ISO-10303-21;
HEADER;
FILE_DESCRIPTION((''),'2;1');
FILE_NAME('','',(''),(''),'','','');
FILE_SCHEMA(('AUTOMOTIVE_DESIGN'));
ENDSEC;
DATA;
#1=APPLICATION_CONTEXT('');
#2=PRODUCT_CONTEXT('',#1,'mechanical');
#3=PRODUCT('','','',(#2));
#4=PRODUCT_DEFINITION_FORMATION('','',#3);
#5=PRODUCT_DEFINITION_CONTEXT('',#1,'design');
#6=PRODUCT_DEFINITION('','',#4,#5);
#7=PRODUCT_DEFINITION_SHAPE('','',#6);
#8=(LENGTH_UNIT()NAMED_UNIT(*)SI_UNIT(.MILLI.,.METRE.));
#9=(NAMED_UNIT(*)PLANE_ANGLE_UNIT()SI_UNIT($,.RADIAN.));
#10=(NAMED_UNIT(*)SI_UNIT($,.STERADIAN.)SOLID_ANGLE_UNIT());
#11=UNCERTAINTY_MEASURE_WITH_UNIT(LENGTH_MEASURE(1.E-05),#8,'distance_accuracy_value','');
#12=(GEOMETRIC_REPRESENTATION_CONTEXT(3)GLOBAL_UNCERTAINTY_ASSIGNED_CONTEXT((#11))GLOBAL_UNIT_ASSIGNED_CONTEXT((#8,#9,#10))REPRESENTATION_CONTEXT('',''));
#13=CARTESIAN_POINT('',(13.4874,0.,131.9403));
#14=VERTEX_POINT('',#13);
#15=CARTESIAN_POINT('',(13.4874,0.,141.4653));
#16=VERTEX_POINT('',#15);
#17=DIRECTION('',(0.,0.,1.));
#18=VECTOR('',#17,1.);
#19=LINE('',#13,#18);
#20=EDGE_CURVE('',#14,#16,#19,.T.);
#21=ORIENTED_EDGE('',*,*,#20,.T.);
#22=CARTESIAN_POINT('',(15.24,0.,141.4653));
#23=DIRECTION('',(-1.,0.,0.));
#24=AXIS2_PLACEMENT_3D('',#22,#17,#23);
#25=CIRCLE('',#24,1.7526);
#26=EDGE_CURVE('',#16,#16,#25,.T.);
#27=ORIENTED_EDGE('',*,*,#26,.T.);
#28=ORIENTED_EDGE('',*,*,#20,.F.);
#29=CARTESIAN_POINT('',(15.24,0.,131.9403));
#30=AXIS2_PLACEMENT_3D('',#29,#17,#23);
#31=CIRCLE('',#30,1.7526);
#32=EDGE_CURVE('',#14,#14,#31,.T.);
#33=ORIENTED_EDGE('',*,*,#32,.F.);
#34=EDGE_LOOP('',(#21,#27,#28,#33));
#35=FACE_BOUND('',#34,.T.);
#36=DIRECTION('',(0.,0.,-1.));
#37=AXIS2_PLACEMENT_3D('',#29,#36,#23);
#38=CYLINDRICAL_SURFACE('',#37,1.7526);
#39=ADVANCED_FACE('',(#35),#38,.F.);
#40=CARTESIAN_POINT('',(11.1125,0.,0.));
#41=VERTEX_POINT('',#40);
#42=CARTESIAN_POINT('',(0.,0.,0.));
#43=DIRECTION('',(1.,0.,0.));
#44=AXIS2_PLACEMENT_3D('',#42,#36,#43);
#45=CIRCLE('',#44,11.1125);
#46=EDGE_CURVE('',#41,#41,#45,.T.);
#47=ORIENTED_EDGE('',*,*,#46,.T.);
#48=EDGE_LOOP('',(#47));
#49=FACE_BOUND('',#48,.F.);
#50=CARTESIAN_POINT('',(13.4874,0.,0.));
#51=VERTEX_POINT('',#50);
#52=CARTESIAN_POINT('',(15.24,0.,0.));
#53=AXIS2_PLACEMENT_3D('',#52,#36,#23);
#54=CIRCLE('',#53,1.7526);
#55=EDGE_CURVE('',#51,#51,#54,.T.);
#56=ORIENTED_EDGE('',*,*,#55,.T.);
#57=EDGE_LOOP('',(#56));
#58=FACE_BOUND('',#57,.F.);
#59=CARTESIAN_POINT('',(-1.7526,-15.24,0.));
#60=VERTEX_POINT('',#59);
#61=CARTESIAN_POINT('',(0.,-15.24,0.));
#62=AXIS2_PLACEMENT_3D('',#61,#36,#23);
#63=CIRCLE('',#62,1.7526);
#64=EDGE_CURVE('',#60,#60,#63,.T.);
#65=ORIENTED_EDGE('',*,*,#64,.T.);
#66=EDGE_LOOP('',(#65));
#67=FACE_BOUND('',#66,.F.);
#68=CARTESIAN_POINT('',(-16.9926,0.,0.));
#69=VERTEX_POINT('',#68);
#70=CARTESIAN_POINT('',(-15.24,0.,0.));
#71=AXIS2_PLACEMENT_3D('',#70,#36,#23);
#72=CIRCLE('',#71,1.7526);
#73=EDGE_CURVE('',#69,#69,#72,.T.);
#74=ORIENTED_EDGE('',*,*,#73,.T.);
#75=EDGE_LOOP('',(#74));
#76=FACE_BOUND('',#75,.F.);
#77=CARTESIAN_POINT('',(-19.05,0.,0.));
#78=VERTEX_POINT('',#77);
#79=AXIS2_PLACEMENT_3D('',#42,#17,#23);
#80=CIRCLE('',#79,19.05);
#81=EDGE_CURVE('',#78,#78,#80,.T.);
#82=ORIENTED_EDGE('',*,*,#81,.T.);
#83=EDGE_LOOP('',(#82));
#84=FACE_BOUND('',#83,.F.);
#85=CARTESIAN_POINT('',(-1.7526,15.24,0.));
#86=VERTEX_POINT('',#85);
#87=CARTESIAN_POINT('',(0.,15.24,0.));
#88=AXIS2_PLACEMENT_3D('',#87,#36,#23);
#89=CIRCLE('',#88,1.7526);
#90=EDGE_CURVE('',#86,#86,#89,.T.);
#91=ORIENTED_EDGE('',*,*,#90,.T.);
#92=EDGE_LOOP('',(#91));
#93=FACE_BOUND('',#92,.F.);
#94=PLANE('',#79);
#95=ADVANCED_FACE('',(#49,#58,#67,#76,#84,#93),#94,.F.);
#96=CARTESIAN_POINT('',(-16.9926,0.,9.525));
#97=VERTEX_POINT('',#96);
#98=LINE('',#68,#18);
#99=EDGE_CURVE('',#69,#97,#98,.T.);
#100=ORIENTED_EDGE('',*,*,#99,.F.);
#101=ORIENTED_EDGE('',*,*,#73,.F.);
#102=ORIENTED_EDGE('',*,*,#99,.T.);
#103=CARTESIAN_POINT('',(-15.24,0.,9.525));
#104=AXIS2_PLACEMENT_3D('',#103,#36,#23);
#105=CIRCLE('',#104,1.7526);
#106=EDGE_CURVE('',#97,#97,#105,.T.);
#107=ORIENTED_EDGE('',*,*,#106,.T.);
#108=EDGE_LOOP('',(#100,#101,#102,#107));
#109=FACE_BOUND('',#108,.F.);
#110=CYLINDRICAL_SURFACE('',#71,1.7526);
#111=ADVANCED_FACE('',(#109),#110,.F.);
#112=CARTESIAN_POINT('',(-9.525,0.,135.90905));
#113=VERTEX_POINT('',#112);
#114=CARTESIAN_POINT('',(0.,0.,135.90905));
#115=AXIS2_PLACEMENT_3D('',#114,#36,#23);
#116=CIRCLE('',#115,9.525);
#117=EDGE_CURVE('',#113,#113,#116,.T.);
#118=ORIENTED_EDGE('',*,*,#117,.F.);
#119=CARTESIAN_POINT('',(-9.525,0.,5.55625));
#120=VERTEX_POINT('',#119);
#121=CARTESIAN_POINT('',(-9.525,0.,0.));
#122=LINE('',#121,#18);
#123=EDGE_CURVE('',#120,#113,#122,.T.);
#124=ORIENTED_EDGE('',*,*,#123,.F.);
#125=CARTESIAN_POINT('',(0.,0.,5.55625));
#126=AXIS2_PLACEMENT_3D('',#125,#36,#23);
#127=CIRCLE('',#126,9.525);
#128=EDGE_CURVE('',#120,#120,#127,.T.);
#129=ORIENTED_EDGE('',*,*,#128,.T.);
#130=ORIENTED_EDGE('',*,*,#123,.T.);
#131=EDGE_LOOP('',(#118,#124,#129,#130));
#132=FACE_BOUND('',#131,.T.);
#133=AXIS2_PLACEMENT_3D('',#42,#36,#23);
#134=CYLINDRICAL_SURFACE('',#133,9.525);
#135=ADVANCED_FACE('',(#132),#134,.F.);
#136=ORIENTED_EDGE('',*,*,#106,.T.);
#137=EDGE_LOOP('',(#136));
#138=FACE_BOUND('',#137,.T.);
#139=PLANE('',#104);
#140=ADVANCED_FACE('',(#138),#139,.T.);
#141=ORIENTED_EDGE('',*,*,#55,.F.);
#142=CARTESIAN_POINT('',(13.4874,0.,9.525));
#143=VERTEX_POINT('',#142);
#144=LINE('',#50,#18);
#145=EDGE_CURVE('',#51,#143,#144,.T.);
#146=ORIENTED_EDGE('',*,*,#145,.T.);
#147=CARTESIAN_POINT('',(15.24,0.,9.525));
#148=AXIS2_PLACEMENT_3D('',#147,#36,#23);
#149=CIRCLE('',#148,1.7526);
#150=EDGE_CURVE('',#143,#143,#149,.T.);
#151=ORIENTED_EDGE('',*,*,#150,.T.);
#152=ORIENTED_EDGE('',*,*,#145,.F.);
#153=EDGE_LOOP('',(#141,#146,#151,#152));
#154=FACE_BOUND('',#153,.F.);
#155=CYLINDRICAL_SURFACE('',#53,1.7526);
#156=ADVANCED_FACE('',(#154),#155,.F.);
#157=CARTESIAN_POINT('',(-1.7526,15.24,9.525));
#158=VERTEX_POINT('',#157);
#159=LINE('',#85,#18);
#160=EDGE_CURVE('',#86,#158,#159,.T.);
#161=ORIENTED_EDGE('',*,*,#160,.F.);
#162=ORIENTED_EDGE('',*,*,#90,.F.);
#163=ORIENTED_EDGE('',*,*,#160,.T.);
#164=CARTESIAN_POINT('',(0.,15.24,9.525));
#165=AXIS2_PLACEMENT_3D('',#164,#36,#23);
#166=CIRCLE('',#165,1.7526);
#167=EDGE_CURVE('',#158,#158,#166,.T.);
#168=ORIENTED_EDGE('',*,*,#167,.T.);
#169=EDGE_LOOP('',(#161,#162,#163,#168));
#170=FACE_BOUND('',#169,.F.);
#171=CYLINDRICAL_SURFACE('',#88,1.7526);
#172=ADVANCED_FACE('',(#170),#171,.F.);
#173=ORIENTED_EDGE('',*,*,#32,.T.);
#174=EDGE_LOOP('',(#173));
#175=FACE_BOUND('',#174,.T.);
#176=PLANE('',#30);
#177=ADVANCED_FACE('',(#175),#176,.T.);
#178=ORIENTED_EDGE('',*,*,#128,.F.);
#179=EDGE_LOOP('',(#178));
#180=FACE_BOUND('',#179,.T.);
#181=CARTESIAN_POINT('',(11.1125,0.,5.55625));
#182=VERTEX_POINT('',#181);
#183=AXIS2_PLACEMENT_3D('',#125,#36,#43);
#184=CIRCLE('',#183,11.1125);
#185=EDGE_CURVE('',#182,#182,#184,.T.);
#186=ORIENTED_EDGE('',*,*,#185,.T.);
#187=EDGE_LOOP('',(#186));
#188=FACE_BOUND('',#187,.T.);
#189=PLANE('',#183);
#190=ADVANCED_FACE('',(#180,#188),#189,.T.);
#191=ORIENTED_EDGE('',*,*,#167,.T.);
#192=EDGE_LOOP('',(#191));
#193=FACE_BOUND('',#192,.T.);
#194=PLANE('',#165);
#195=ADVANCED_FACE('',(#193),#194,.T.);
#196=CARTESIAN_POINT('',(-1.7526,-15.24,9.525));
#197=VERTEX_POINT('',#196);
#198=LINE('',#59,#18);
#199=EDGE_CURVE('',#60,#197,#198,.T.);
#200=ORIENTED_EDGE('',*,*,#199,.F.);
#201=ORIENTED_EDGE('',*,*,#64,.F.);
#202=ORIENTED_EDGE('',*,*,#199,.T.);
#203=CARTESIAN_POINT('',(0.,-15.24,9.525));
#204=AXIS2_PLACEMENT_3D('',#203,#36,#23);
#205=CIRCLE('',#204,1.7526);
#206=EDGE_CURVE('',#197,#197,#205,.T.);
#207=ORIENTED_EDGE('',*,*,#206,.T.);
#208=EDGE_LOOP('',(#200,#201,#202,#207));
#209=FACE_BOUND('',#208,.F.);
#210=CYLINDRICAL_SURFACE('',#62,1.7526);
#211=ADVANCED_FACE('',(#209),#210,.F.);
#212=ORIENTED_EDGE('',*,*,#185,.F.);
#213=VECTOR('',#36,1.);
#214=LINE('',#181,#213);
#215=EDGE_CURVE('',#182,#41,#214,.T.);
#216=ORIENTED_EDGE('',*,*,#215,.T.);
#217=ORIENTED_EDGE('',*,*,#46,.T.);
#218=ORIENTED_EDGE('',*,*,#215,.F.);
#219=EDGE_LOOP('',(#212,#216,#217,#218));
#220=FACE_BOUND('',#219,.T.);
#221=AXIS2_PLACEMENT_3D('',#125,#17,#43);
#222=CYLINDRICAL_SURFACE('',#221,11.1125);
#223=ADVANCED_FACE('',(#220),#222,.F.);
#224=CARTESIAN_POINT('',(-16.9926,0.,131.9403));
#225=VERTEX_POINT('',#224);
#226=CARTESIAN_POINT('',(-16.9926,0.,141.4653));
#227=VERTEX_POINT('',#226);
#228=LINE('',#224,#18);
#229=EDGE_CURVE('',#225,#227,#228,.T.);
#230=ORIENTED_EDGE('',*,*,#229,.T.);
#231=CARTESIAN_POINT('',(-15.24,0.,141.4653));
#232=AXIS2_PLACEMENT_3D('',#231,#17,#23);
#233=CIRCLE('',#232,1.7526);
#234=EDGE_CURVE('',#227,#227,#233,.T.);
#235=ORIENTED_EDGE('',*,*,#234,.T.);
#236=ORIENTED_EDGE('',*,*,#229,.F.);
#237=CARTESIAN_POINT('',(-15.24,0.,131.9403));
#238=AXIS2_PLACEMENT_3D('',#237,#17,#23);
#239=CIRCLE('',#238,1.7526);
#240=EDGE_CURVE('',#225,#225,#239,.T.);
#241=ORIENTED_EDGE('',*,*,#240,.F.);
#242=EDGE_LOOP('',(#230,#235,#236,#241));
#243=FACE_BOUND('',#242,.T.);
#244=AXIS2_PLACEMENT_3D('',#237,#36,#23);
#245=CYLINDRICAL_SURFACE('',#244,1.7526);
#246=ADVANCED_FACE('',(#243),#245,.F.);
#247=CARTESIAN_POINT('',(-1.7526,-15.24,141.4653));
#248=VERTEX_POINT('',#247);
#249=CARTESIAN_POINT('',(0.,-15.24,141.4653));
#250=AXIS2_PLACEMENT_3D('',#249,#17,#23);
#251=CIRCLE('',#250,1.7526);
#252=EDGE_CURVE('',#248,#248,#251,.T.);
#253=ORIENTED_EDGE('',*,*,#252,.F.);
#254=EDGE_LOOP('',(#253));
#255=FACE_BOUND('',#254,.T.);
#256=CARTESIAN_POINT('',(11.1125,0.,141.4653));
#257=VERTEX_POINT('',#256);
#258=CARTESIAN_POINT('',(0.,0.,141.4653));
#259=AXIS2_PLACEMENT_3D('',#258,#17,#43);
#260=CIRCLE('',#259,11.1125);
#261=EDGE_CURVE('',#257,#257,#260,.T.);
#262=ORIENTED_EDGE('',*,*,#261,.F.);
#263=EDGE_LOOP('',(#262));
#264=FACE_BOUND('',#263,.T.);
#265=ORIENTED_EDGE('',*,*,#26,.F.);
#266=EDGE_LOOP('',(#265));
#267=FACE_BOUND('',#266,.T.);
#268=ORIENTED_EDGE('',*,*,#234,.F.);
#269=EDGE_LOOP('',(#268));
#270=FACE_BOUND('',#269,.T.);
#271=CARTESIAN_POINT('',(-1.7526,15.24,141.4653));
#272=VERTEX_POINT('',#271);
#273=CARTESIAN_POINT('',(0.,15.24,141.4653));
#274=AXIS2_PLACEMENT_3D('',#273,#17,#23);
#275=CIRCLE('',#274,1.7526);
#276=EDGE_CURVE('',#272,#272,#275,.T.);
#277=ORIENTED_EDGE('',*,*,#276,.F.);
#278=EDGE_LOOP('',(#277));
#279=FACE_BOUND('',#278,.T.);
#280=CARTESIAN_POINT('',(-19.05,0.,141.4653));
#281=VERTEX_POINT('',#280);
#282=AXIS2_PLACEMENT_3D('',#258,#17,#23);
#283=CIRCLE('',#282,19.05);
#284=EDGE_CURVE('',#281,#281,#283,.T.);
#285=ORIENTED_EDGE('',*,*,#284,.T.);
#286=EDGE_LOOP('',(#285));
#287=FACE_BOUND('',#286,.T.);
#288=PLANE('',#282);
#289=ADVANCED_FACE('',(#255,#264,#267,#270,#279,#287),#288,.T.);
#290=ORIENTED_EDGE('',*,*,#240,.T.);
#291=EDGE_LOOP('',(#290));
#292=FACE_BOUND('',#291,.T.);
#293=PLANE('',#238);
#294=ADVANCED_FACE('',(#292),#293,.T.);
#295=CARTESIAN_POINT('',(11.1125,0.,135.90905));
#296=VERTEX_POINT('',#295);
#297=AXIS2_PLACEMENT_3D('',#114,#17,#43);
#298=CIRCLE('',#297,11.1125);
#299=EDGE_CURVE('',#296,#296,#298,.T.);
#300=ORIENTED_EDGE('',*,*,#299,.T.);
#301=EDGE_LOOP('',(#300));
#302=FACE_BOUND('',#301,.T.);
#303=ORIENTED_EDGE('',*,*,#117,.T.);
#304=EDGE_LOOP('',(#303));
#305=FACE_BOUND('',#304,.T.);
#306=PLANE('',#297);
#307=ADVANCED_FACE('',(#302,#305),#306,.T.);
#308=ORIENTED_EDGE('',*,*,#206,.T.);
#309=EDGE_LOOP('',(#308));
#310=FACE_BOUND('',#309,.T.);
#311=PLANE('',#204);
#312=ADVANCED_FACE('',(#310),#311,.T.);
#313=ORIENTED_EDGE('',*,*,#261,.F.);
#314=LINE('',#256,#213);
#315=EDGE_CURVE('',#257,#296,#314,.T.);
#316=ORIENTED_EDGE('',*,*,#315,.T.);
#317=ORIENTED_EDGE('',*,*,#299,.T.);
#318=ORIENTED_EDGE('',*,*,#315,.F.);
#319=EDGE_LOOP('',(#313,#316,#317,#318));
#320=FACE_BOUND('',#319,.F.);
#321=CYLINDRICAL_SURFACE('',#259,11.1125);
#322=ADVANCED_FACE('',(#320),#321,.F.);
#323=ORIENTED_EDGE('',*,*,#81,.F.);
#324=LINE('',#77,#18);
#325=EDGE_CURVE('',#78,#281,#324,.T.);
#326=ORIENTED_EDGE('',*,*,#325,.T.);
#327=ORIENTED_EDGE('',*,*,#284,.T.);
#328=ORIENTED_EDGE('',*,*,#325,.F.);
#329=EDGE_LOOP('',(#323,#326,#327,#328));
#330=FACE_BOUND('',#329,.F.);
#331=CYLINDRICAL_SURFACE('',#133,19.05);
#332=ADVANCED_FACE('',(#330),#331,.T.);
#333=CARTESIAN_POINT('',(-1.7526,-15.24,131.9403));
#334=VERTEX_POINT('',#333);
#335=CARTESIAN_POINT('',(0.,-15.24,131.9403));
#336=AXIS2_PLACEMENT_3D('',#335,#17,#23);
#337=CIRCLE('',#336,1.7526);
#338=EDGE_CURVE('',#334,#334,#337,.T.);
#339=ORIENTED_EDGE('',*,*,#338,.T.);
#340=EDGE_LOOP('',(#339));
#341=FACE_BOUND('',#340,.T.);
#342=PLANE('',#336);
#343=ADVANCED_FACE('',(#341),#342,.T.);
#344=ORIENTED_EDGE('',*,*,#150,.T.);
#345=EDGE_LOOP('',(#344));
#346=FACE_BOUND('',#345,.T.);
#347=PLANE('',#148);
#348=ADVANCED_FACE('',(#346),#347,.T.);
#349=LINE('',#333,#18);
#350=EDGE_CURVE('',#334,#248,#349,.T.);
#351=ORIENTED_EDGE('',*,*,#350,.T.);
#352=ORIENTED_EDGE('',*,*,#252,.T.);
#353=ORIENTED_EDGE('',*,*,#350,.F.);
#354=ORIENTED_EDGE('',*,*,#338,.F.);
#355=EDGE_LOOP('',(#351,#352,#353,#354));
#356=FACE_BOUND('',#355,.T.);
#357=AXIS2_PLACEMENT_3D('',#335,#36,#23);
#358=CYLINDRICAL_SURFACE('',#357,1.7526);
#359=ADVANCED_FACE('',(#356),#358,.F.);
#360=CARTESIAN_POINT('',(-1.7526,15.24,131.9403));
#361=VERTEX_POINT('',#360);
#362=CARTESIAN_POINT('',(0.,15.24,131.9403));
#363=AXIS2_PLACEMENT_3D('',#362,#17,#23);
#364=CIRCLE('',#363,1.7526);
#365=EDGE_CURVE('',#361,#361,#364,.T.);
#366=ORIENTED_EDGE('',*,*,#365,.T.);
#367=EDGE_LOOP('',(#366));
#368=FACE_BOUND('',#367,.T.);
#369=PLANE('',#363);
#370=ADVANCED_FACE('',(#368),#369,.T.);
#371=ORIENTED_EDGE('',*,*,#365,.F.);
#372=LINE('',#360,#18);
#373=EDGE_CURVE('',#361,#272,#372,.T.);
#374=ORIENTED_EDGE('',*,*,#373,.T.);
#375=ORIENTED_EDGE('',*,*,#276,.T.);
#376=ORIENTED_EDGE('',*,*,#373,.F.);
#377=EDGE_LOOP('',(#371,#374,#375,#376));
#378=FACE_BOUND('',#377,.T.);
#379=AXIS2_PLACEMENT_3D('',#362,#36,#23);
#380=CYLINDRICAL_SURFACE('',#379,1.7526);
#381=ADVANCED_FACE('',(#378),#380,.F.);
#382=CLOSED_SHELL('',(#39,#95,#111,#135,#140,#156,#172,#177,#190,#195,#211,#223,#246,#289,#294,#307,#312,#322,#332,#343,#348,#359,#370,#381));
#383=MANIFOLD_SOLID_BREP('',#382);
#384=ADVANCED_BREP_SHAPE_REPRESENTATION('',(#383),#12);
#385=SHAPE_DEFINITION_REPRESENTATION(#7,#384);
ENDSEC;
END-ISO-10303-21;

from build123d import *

# Parameters (mm, degrees)
SKETCH1_R           = 19.05
SKETCH1_R_2         = 9.525
BOSS_EXTRUDE1_DEPTH = 141.4653
SKETCH2_R           = 1.7526
CUT_EXTRUDE1_DEPTH  = 9.525
CUT_EXTRUDE2_START  = -9.525
SKETCH3_R           = 1.7526
CUT_EXTRUDE2_DEPTH  = 9.525
SKETCH6_R           = 11.1125
CUT_EXTRUDE3_DEPTH  = 5.55625
CUT_EXTRUDE4_START  = -5.55625
SKETCH7_R           = 11.1125
CUT_EXTRUDE4_DEPTH  = 5.55625


with BuildPart() as part:
    # Sketch1 → Boss-Extrude1 (new body)
    with BuildSketch(Plane.XY):
        with Locations(Location((0, 0, 0), (0, 0, 180))):
            Circle(SKETCH1_R)
        with Locations(Location((0, 0, 0), (0, 0, 180))):
            Circle(SKETCH1_R_2, mode=Mode.SUBTRACT)
    extrude(amount=BOSS_EXTRUDE1_DEPTH)

    # Sketch2 → Cut-Extrude1 (cut)
    with BuildSketch(Plane(origin=(0, 0, 0), x_dir=(-1, 0, 0), z_dir=(0, 0, -1))):
        with Locations((0, 15.24)):
            Circle(SKETCH2_R)
        with Locations((15.24, 0)):
            Circle(SKETCH2_R)
        with Locations((0, -15.24)):
            Circle(SKETCH2_R)
        with Locations((-15.24, 0)):
            Circle(SKETCH2_R)
    extrude(amount=-CUT_EXTRUDE1_DEPTH, mode=Mode.SUBTRACT)

    # Sketch3 → Cut-Extrude2 (cut)
    with BuildSketch(Plane.XY.offset(141.4653).offset(CUT_EXTRUDE2_START)):
        with Locations(Location((0, 15.24, 0), (0, 0, 180))):
            Circle(SKETCH3_R)
        with Locations(Location((15.24, 0, 0), (0, 0, 180))):
            Circle(SKETCH3_R)
        with Locations(Location((0, -15.24, 0), (0, 0, 180))):
            Circle(SKETCH3_R)
        with Locations(Location((-15.24, 0, 0), (0, 0, 180))):
            Circle(SKETCH3_R)
    extrude(amount=CUT_EXTRUDE2_DEPTH, mode=Mode.SUBTRACT)

    # Sketch6 → Cut-Extrude3 (cut)
    with BuildSketch(Plane.XY.offset(141.4653)):
        Circle(SKETCH6_R)
    extrude(amount=-CUT_EXTRUDE3_DEPTH, mode=Mode.SUBTRACT)

    # Sketch7 → Cut-Extrude4 (cut)
    with BuildSketch(Plane(origin=(0, 0, 0), x_dir=(-1, 0, 0), z_dir=(0, 0, -1)).offset(CUT_EXTRUDE4_START)):
        with Locations(Location((0, 0, 0), (0, 0, 180))):
            Circle(SKETCH7_R)
    extrude(amount=CUT_EXTRUDE4_DEPTH, mode=Mode.SUBTRACT)


solid = part.part
